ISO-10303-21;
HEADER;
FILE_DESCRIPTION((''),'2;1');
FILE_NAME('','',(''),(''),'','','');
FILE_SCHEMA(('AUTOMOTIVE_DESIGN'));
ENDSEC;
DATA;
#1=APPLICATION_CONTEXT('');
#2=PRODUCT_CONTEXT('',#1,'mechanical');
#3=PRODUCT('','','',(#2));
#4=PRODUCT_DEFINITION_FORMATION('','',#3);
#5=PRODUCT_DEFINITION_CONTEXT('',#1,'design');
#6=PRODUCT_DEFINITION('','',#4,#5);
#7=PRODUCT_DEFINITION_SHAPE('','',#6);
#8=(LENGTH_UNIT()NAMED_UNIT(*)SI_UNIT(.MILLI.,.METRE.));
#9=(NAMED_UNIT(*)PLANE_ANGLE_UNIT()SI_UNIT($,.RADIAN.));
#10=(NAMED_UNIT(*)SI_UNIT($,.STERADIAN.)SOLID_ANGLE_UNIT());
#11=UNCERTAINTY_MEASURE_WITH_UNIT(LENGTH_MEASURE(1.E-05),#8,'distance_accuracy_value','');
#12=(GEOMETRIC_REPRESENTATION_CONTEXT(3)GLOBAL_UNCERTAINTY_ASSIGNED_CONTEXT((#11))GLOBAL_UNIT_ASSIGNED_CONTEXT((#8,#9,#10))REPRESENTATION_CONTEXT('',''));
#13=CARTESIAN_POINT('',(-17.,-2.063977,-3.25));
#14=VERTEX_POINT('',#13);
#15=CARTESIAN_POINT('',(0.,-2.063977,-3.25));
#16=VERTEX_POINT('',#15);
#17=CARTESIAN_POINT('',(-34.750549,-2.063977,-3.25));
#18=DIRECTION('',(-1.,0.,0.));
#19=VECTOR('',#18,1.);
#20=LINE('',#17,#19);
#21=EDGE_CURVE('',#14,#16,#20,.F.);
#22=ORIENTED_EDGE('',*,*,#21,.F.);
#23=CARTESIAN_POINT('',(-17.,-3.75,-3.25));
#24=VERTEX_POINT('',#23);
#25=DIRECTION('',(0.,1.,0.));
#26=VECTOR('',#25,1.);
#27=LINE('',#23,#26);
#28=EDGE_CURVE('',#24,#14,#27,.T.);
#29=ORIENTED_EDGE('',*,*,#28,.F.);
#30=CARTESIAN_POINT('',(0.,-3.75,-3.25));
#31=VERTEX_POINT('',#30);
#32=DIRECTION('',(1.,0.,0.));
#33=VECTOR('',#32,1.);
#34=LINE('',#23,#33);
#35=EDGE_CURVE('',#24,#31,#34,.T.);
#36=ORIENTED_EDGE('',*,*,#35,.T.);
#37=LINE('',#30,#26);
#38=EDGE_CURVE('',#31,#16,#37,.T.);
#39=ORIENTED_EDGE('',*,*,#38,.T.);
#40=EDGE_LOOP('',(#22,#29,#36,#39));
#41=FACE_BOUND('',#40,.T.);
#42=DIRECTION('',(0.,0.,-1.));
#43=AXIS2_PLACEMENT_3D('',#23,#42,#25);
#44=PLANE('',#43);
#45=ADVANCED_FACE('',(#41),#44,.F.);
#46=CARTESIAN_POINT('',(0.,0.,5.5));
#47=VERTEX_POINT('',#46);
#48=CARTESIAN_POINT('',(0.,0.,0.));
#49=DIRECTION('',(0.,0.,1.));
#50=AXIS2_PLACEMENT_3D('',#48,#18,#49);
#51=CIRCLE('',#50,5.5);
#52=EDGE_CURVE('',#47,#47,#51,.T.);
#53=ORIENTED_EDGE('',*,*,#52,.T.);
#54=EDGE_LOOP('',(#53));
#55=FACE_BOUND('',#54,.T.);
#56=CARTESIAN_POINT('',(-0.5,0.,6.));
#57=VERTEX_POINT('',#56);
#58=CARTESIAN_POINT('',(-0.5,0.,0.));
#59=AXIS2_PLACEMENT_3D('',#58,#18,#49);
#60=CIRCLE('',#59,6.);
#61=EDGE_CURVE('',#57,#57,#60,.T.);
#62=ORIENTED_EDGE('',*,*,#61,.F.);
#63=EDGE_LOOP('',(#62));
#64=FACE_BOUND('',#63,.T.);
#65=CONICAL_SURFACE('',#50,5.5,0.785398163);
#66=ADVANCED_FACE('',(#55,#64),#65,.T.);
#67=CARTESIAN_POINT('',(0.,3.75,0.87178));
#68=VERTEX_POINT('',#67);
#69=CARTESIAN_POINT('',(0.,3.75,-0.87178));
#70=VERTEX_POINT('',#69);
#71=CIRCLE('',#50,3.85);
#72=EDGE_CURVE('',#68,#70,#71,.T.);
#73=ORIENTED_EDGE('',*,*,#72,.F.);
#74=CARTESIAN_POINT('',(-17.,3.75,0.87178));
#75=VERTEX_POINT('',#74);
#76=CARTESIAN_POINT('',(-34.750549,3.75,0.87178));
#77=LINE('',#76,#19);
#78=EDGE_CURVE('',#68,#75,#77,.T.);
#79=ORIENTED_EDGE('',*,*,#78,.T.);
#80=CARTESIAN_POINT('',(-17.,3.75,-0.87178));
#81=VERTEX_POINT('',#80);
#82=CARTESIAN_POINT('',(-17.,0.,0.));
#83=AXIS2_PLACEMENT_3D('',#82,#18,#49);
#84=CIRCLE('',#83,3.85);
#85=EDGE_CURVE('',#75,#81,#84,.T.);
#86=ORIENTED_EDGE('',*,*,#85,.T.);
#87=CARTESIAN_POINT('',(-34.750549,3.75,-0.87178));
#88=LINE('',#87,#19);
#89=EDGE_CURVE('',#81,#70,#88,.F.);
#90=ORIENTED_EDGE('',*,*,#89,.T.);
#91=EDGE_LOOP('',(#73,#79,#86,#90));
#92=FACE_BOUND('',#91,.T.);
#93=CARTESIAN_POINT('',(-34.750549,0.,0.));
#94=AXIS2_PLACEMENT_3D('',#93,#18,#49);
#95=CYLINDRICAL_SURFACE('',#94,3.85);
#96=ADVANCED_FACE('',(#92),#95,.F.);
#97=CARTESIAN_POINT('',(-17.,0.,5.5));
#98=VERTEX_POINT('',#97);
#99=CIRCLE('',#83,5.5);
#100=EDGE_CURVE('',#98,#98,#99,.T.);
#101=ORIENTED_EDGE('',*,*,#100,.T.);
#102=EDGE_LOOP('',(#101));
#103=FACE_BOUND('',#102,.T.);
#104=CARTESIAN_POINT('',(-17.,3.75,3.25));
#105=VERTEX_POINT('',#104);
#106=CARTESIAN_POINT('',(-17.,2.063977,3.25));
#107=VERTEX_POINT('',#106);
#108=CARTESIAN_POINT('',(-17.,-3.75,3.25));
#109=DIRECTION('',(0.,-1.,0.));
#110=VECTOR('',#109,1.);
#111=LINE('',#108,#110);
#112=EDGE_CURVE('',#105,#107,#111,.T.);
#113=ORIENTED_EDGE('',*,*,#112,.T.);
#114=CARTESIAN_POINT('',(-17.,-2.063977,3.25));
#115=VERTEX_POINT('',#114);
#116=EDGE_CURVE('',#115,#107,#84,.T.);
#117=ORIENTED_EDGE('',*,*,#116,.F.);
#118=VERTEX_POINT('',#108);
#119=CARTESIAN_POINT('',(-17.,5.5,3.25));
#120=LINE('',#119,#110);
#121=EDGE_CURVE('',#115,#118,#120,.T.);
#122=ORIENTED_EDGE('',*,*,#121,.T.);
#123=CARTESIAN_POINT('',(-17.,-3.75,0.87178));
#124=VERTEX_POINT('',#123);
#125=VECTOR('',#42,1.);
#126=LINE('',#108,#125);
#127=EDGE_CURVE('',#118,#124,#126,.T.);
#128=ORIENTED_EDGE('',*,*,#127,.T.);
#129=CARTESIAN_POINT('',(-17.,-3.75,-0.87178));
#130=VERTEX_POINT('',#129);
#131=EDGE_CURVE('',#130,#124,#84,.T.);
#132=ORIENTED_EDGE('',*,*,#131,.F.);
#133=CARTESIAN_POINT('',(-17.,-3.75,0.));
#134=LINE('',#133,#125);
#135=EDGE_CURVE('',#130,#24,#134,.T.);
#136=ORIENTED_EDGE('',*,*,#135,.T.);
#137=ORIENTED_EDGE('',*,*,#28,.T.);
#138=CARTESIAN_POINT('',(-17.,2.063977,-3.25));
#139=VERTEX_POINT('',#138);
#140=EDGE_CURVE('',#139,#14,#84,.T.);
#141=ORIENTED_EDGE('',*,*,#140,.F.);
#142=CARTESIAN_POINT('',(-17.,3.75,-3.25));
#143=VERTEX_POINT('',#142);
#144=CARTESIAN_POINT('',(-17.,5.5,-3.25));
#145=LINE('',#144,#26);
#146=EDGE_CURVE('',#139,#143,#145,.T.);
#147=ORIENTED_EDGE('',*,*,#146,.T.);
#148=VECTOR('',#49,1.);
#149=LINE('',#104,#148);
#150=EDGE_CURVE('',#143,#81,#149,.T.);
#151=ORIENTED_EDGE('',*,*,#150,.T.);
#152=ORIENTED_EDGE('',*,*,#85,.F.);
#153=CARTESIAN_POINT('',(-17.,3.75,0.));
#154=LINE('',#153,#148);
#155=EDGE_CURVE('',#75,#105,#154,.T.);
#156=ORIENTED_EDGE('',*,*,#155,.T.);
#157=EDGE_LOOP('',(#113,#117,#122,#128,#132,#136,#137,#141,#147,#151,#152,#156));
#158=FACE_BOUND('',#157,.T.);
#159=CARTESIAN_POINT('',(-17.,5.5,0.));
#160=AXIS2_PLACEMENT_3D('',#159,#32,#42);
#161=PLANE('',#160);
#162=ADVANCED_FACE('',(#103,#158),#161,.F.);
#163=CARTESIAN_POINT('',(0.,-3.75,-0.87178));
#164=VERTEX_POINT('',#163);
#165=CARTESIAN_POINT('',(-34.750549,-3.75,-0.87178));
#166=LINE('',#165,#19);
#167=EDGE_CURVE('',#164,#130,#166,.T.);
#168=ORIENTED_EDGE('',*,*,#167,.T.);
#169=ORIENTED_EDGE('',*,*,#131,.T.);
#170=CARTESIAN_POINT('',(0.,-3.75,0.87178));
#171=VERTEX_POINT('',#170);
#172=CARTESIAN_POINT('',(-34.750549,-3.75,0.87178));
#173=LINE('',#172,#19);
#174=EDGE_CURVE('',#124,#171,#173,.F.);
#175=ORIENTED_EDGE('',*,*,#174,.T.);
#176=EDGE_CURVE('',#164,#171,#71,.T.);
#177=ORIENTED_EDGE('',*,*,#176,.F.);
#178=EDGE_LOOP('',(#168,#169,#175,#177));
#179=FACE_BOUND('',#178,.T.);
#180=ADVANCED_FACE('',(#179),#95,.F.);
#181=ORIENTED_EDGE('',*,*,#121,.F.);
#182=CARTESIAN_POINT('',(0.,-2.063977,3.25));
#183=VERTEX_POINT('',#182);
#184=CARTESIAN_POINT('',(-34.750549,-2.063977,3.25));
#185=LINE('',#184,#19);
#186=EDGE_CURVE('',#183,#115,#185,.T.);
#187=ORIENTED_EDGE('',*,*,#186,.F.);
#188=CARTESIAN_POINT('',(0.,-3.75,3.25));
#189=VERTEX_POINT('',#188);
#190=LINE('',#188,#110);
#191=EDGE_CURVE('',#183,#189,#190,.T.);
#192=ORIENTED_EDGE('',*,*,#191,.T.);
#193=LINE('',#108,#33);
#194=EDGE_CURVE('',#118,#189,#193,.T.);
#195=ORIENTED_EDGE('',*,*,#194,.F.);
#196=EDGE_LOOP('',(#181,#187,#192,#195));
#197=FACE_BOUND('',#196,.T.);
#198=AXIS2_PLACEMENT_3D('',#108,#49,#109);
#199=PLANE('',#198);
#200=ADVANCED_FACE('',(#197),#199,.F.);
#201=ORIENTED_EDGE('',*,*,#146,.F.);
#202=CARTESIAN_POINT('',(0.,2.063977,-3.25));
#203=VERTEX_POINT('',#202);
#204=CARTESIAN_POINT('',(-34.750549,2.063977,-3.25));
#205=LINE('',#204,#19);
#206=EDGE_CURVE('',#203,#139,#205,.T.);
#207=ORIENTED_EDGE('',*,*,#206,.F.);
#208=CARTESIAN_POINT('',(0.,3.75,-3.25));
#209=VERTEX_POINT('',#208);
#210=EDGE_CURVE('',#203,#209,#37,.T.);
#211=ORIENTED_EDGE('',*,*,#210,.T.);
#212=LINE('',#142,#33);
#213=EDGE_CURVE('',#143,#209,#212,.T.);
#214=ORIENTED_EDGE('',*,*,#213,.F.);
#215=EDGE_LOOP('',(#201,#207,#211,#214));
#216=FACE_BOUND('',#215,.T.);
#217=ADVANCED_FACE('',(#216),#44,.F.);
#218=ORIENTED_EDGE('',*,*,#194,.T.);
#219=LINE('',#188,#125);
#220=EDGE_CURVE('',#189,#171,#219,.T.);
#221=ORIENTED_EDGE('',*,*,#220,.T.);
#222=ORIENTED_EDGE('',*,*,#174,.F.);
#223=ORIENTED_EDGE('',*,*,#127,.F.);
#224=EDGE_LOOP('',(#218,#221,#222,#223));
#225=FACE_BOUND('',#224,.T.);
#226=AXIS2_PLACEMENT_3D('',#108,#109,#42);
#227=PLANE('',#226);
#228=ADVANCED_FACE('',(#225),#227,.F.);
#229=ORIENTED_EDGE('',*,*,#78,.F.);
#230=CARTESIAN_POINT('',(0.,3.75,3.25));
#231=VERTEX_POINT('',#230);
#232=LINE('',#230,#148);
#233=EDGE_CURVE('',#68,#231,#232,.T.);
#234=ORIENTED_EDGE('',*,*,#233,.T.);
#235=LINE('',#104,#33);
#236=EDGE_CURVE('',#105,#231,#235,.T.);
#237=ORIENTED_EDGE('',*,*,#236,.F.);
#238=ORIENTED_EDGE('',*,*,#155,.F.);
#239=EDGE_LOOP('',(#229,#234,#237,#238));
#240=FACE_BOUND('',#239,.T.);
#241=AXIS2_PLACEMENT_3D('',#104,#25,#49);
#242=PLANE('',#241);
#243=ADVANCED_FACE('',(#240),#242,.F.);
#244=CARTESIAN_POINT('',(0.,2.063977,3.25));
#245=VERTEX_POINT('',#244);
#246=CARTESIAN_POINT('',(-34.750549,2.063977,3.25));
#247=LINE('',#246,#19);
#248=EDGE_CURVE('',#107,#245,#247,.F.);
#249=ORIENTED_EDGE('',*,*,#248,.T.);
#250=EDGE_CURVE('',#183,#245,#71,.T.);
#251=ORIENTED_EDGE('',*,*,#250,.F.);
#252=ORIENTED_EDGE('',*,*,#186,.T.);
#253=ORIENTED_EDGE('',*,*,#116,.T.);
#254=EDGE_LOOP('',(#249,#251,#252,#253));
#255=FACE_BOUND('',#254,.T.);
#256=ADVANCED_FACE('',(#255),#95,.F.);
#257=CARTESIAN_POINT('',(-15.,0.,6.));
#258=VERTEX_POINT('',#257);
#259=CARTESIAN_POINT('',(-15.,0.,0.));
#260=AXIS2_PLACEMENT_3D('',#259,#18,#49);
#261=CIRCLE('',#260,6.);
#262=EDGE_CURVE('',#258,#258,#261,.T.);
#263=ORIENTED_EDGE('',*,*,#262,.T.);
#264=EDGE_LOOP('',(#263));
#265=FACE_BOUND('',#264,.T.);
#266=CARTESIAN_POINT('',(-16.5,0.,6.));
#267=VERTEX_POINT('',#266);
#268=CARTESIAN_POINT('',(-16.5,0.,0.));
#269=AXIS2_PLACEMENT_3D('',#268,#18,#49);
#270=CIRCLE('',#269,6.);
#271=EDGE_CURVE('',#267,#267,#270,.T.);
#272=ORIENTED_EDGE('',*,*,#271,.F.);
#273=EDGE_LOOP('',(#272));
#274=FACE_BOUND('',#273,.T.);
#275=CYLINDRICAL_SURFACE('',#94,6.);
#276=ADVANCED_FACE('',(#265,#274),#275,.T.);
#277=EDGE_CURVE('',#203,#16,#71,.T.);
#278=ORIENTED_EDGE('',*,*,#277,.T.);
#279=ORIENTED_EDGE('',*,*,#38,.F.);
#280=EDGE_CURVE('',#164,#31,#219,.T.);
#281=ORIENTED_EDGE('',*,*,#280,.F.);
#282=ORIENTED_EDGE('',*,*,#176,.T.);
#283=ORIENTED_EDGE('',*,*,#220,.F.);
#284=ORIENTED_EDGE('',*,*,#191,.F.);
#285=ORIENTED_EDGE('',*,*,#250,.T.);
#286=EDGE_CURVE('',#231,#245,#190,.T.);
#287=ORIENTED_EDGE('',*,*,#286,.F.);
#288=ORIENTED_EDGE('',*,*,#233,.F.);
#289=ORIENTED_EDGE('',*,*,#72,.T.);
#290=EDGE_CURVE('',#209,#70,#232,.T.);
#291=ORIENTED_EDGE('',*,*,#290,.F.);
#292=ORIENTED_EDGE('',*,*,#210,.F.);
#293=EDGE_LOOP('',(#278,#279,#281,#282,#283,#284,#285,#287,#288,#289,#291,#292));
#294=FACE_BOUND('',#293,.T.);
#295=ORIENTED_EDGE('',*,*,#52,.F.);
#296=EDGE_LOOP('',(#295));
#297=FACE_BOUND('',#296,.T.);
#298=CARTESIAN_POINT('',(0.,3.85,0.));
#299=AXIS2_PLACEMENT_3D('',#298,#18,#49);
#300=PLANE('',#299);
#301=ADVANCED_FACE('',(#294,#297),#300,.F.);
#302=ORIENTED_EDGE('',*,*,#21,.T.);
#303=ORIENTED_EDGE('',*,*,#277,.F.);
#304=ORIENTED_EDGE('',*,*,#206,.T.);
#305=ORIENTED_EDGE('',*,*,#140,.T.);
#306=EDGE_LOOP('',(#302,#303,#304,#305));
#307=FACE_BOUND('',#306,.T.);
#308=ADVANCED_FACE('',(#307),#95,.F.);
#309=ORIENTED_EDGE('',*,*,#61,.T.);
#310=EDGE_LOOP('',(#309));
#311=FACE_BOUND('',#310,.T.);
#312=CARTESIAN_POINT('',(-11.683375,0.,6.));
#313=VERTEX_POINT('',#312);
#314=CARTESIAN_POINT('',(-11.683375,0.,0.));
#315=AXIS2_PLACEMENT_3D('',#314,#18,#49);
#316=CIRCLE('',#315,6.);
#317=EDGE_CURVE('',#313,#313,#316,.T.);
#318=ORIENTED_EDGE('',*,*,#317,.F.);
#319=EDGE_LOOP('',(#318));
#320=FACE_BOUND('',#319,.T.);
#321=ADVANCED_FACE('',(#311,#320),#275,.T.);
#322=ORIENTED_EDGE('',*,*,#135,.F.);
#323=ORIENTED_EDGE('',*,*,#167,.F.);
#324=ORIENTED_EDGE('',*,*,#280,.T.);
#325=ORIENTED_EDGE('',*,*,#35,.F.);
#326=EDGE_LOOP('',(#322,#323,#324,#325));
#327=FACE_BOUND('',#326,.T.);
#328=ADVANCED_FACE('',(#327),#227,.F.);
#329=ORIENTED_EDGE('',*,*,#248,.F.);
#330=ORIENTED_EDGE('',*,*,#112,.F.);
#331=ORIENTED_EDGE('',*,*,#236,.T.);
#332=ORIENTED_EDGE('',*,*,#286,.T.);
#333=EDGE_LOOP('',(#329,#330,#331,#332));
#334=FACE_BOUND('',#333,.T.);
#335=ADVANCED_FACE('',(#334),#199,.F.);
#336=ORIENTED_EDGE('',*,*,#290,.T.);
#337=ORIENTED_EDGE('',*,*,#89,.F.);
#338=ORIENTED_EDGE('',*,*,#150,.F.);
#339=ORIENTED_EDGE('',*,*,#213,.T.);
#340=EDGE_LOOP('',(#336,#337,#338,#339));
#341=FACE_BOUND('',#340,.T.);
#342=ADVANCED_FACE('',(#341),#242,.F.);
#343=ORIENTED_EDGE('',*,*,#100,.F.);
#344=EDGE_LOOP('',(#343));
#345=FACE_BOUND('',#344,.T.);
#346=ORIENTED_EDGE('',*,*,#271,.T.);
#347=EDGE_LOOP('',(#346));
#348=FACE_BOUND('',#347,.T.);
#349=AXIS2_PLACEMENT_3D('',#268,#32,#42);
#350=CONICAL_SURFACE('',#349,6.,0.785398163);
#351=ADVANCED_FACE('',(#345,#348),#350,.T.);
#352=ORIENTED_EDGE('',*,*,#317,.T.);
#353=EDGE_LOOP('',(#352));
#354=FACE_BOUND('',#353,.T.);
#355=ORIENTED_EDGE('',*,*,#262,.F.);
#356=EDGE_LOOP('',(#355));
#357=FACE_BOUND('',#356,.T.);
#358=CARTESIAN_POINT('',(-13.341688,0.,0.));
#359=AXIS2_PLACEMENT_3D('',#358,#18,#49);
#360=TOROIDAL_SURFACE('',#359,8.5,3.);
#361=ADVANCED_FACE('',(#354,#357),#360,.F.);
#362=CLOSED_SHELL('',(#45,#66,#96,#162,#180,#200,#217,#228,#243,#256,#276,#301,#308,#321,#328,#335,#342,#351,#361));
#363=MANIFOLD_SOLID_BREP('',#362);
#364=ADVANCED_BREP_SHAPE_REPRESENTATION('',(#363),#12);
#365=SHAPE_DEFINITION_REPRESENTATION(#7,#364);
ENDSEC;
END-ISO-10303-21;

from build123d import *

# Parameters (mm, degrees)
ESQUISSE2_W             = 6.5
ESQUISSE2_H             = 7.5
ENL_V_MAT_EXTRU_1_DEPTH = 20


with BuildPart() as part:
    # Esquisse1 → Révolution1 (revolve)
    with BuildSketch(Plane.XY):
        with BuildLine():
            Line((-17, 5.5), (-17, 3.85))
            Line((-17, 3.85), (0, 3.85))
            Line((0, 3.85), (0, 5.5))
            Line((0, 5.5), (-0.5, 6))
            Line((-0.5, 6), (-11.68337521, 6))
            ThreePointArc((-11.68337521, 6), (-13.341687605, 5.5), (-15, 6))
            Line((-15, 6), (-16.5, 6))
            Line((-16.5, 6), (-17, 5.5))
        make_face()
    revolve(axis=Axis((-34.750549451, 0, 0), (1, 0, 0)))

    # Esquisse2 → Enlèv. mat.-Extru.1 (cut, through all)
    with BuildSketch(Plane(origin=(0, 0, 0), x_dir=(0, 0, -1), z_dir=(1, 0, 0))):
        Rectangle(ESQUISSE2_W, ESQUISSE2_H)
    extrude(amount=-ENL_V_MAT_EXTRU_1_DEPTH, mode=Mode.SUBTRACT)


solid = part.part
